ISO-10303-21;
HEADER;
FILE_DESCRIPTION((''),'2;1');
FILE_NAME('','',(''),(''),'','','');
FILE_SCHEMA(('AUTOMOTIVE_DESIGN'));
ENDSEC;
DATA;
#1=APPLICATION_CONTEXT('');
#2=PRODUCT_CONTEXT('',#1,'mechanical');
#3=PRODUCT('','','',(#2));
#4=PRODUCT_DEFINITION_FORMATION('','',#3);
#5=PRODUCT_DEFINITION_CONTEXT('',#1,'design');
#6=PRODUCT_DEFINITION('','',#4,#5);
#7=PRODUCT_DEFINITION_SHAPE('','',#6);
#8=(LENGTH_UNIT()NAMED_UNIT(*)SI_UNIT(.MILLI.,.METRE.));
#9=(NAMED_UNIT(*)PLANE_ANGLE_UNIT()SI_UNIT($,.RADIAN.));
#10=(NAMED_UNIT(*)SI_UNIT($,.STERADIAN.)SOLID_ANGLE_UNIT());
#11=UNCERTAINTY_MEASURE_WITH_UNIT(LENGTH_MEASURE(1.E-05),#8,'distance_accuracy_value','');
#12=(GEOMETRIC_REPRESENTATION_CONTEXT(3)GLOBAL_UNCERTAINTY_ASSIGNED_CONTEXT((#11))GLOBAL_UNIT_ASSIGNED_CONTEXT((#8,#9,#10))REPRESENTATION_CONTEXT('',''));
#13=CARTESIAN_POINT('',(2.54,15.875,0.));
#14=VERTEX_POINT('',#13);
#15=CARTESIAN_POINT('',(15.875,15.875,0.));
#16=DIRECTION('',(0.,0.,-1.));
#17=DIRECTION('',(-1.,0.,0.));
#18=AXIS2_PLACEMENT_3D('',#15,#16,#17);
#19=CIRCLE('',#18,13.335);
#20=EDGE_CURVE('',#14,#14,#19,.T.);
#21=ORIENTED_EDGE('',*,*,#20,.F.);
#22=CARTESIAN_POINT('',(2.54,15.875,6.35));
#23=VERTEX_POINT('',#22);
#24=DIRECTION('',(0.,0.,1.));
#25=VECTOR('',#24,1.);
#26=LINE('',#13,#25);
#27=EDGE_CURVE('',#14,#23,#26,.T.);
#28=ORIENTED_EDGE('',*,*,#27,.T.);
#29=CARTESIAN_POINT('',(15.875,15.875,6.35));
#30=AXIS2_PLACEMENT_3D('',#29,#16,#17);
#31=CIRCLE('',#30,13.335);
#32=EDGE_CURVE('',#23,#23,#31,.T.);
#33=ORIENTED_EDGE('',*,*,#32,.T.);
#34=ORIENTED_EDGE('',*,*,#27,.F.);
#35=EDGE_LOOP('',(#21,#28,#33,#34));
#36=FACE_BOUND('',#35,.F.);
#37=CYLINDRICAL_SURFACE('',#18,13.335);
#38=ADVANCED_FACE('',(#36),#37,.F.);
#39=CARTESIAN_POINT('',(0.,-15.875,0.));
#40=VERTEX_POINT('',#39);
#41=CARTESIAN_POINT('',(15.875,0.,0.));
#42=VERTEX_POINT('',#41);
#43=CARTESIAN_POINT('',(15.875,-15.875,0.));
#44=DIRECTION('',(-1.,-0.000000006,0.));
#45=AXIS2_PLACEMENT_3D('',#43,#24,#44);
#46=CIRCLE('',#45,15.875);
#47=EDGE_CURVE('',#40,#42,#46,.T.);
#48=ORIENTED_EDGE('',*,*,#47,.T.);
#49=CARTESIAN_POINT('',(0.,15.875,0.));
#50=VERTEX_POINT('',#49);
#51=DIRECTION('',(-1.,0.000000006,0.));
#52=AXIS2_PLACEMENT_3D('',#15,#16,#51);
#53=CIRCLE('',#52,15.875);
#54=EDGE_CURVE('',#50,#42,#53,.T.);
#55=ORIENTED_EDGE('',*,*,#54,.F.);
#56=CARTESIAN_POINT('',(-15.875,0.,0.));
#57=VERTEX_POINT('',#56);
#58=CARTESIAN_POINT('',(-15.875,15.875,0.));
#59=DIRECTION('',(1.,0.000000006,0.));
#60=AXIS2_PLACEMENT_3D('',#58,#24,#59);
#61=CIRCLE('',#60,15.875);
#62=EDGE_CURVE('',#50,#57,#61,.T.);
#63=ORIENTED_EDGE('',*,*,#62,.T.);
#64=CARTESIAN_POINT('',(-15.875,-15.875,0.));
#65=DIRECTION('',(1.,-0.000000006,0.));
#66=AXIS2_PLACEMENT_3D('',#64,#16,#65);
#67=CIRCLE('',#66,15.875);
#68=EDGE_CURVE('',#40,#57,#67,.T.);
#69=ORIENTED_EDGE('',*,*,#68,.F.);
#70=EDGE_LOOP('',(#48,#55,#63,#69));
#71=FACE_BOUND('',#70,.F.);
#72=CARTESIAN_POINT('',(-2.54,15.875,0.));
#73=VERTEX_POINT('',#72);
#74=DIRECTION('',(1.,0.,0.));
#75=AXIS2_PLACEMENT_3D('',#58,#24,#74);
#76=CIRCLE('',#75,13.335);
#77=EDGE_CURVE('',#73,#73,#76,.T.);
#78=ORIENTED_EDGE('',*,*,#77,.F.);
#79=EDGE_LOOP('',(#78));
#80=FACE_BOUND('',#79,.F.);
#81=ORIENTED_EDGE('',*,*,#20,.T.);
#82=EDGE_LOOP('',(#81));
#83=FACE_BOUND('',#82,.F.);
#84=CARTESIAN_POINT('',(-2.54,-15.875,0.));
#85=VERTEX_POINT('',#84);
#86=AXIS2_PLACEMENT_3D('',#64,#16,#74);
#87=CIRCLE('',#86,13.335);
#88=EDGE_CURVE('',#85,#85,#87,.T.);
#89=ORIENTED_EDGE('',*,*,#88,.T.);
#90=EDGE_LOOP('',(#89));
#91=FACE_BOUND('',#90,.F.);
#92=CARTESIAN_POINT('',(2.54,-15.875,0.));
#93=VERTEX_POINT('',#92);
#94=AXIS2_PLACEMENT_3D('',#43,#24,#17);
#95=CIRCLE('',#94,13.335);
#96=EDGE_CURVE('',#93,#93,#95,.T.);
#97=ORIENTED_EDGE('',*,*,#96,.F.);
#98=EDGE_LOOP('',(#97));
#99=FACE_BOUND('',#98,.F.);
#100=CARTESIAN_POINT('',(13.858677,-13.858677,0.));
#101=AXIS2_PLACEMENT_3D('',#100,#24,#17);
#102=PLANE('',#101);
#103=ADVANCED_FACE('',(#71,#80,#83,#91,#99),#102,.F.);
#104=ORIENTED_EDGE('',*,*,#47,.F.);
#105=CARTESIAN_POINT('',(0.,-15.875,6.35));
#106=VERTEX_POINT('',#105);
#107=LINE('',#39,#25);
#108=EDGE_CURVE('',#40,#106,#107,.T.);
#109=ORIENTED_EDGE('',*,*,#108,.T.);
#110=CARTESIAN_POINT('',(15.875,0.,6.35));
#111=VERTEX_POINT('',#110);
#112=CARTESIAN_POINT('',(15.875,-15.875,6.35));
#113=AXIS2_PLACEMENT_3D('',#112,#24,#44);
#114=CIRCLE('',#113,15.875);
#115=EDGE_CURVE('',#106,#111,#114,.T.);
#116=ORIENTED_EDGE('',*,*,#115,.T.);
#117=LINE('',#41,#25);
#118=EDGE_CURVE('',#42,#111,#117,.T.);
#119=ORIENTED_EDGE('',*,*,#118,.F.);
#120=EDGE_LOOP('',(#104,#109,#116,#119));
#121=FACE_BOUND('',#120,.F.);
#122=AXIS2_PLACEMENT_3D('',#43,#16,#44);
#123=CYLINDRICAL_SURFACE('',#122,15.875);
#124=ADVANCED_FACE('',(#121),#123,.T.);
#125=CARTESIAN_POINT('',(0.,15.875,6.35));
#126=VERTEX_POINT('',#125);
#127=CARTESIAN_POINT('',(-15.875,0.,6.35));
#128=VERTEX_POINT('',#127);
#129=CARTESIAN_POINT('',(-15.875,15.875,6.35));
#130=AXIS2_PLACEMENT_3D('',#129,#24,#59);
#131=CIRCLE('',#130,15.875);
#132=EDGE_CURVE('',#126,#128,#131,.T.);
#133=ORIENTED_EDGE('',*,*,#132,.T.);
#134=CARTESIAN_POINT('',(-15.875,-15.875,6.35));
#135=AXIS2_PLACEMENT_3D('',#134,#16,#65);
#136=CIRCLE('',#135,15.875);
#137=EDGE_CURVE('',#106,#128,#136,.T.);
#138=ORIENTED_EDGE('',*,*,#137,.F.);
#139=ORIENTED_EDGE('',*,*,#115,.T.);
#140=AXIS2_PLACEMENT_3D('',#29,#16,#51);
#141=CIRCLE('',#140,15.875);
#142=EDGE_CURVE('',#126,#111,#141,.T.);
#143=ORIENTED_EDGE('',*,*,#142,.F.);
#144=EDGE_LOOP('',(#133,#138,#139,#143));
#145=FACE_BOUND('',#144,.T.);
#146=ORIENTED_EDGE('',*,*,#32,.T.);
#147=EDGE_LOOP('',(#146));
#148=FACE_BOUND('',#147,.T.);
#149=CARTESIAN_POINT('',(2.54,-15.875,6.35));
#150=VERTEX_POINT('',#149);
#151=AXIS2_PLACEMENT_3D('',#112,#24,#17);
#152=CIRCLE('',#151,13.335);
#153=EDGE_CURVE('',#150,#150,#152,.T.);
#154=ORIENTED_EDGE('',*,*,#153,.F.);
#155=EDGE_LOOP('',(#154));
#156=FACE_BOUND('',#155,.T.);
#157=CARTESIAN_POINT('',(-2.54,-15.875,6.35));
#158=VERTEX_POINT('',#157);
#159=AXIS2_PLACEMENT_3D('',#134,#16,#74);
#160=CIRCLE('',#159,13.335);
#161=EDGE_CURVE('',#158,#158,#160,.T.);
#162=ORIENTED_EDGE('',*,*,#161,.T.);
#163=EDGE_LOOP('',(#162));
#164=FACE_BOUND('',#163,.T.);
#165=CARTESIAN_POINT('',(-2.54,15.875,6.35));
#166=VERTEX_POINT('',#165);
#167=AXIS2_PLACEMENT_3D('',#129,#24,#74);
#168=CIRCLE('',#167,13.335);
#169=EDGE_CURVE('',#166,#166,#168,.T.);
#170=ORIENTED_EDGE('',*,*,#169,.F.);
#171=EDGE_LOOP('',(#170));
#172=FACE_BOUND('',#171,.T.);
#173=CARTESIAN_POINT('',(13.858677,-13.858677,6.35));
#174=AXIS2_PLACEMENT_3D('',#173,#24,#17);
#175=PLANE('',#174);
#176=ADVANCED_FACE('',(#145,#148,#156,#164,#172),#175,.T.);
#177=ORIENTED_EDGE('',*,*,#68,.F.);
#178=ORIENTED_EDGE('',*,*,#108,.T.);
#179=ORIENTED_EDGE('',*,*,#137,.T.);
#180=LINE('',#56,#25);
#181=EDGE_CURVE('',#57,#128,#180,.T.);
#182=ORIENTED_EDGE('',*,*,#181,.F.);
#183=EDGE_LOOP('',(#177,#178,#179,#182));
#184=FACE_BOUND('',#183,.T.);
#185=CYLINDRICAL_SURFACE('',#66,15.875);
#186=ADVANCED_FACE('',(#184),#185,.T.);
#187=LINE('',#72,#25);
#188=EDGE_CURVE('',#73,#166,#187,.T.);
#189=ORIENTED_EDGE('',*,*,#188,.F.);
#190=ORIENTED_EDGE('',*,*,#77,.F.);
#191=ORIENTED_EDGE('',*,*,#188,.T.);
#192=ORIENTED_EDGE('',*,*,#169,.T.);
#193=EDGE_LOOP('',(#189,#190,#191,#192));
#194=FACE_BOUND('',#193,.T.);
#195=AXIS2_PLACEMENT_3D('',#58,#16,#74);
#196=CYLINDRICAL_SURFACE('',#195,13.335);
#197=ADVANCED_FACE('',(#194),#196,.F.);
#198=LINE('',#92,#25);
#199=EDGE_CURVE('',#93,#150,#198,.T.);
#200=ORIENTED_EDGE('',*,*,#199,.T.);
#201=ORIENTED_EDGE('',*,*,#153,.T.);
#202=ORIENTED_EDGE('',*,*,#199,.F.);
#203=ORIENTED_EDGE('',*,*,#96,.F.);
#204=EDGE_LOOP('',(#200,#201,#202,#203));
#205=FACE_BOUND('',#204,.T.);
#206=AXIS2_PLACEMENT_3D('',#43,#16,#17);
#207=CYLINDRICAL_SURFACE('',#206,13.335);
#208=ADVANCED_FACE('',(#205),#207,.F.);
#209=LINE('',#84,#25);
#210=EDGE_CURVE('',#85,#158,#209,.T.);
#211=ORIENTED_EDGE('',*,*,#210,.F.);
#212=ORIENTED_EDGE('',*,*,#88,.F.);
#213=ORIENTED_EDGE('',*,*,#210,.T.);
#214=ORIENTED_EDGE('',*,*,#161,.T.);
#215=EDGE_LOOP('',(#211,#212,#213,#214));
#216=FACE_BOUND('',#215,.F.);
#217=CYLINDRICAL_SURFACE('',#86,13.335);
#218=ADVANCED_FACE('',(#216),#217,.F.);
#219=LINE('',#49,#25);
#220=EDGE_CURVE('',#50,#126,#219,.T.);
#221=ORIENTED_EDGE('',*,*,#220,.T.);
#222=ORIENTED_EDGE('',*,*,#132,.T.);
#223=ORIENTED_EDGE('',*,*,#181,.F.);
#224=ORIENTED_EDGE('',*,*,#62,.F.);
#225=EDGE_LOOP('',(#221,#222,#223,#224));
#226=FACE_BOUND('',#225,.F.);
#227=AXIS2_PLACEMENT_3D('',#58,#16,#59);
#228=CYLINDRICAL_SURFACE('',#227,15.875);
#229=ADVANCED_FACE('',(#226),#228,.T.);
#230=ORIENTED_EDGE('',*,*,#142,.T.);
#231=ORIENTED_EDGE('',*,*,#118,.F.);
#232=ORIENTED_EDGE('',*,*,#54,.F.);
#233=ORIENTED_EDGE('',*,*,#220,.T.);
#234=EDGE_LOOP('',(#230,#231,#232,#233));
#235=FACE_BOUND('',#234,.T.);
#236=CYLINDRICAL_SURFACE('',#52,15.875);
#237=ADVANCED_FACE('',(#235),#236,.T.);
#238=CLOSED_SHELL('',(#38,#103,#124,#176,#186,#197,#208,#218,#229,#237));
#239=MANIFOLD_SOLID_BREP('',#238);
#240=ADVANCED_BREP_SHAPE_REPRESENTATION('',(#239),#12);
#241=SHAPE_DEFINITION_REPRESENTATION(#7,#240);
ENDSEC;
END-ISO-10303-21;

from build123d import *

# Parameters (mm, degrees)
F0_R     = 13.335
F1_DEPTH = 6.35


with BuildPart() as f1:
    # F0 (on Top) → F1 (new body)
    with BuildSketch(Plane.XY):
        with BuildLine():
            Line((0, 0), (0, 15.875))
            ThreePointArc((0, 15.875), (-27.10032, 27.10032), (-15.875, 0))
            Line((-15.875, 0), (0, 0))
        make_face()
        with Locations((-15.875, 15.875)):
            Circle(F0_R, mode=Mode.SUBTRACT)
    extrude(amount=F1_DEPTH)

    # F2: F1 across plane


with BuildPart() as f1_1:
    add(f1.part)
    add(f1.part.mirror(Plane.YZ))

    # F3: F1 across plane


with BuildPart() as f1_2:
    add(f1_1.part)
    add(f1_1.part.mirror(Plane.XZ))


solid = f1_2.part
